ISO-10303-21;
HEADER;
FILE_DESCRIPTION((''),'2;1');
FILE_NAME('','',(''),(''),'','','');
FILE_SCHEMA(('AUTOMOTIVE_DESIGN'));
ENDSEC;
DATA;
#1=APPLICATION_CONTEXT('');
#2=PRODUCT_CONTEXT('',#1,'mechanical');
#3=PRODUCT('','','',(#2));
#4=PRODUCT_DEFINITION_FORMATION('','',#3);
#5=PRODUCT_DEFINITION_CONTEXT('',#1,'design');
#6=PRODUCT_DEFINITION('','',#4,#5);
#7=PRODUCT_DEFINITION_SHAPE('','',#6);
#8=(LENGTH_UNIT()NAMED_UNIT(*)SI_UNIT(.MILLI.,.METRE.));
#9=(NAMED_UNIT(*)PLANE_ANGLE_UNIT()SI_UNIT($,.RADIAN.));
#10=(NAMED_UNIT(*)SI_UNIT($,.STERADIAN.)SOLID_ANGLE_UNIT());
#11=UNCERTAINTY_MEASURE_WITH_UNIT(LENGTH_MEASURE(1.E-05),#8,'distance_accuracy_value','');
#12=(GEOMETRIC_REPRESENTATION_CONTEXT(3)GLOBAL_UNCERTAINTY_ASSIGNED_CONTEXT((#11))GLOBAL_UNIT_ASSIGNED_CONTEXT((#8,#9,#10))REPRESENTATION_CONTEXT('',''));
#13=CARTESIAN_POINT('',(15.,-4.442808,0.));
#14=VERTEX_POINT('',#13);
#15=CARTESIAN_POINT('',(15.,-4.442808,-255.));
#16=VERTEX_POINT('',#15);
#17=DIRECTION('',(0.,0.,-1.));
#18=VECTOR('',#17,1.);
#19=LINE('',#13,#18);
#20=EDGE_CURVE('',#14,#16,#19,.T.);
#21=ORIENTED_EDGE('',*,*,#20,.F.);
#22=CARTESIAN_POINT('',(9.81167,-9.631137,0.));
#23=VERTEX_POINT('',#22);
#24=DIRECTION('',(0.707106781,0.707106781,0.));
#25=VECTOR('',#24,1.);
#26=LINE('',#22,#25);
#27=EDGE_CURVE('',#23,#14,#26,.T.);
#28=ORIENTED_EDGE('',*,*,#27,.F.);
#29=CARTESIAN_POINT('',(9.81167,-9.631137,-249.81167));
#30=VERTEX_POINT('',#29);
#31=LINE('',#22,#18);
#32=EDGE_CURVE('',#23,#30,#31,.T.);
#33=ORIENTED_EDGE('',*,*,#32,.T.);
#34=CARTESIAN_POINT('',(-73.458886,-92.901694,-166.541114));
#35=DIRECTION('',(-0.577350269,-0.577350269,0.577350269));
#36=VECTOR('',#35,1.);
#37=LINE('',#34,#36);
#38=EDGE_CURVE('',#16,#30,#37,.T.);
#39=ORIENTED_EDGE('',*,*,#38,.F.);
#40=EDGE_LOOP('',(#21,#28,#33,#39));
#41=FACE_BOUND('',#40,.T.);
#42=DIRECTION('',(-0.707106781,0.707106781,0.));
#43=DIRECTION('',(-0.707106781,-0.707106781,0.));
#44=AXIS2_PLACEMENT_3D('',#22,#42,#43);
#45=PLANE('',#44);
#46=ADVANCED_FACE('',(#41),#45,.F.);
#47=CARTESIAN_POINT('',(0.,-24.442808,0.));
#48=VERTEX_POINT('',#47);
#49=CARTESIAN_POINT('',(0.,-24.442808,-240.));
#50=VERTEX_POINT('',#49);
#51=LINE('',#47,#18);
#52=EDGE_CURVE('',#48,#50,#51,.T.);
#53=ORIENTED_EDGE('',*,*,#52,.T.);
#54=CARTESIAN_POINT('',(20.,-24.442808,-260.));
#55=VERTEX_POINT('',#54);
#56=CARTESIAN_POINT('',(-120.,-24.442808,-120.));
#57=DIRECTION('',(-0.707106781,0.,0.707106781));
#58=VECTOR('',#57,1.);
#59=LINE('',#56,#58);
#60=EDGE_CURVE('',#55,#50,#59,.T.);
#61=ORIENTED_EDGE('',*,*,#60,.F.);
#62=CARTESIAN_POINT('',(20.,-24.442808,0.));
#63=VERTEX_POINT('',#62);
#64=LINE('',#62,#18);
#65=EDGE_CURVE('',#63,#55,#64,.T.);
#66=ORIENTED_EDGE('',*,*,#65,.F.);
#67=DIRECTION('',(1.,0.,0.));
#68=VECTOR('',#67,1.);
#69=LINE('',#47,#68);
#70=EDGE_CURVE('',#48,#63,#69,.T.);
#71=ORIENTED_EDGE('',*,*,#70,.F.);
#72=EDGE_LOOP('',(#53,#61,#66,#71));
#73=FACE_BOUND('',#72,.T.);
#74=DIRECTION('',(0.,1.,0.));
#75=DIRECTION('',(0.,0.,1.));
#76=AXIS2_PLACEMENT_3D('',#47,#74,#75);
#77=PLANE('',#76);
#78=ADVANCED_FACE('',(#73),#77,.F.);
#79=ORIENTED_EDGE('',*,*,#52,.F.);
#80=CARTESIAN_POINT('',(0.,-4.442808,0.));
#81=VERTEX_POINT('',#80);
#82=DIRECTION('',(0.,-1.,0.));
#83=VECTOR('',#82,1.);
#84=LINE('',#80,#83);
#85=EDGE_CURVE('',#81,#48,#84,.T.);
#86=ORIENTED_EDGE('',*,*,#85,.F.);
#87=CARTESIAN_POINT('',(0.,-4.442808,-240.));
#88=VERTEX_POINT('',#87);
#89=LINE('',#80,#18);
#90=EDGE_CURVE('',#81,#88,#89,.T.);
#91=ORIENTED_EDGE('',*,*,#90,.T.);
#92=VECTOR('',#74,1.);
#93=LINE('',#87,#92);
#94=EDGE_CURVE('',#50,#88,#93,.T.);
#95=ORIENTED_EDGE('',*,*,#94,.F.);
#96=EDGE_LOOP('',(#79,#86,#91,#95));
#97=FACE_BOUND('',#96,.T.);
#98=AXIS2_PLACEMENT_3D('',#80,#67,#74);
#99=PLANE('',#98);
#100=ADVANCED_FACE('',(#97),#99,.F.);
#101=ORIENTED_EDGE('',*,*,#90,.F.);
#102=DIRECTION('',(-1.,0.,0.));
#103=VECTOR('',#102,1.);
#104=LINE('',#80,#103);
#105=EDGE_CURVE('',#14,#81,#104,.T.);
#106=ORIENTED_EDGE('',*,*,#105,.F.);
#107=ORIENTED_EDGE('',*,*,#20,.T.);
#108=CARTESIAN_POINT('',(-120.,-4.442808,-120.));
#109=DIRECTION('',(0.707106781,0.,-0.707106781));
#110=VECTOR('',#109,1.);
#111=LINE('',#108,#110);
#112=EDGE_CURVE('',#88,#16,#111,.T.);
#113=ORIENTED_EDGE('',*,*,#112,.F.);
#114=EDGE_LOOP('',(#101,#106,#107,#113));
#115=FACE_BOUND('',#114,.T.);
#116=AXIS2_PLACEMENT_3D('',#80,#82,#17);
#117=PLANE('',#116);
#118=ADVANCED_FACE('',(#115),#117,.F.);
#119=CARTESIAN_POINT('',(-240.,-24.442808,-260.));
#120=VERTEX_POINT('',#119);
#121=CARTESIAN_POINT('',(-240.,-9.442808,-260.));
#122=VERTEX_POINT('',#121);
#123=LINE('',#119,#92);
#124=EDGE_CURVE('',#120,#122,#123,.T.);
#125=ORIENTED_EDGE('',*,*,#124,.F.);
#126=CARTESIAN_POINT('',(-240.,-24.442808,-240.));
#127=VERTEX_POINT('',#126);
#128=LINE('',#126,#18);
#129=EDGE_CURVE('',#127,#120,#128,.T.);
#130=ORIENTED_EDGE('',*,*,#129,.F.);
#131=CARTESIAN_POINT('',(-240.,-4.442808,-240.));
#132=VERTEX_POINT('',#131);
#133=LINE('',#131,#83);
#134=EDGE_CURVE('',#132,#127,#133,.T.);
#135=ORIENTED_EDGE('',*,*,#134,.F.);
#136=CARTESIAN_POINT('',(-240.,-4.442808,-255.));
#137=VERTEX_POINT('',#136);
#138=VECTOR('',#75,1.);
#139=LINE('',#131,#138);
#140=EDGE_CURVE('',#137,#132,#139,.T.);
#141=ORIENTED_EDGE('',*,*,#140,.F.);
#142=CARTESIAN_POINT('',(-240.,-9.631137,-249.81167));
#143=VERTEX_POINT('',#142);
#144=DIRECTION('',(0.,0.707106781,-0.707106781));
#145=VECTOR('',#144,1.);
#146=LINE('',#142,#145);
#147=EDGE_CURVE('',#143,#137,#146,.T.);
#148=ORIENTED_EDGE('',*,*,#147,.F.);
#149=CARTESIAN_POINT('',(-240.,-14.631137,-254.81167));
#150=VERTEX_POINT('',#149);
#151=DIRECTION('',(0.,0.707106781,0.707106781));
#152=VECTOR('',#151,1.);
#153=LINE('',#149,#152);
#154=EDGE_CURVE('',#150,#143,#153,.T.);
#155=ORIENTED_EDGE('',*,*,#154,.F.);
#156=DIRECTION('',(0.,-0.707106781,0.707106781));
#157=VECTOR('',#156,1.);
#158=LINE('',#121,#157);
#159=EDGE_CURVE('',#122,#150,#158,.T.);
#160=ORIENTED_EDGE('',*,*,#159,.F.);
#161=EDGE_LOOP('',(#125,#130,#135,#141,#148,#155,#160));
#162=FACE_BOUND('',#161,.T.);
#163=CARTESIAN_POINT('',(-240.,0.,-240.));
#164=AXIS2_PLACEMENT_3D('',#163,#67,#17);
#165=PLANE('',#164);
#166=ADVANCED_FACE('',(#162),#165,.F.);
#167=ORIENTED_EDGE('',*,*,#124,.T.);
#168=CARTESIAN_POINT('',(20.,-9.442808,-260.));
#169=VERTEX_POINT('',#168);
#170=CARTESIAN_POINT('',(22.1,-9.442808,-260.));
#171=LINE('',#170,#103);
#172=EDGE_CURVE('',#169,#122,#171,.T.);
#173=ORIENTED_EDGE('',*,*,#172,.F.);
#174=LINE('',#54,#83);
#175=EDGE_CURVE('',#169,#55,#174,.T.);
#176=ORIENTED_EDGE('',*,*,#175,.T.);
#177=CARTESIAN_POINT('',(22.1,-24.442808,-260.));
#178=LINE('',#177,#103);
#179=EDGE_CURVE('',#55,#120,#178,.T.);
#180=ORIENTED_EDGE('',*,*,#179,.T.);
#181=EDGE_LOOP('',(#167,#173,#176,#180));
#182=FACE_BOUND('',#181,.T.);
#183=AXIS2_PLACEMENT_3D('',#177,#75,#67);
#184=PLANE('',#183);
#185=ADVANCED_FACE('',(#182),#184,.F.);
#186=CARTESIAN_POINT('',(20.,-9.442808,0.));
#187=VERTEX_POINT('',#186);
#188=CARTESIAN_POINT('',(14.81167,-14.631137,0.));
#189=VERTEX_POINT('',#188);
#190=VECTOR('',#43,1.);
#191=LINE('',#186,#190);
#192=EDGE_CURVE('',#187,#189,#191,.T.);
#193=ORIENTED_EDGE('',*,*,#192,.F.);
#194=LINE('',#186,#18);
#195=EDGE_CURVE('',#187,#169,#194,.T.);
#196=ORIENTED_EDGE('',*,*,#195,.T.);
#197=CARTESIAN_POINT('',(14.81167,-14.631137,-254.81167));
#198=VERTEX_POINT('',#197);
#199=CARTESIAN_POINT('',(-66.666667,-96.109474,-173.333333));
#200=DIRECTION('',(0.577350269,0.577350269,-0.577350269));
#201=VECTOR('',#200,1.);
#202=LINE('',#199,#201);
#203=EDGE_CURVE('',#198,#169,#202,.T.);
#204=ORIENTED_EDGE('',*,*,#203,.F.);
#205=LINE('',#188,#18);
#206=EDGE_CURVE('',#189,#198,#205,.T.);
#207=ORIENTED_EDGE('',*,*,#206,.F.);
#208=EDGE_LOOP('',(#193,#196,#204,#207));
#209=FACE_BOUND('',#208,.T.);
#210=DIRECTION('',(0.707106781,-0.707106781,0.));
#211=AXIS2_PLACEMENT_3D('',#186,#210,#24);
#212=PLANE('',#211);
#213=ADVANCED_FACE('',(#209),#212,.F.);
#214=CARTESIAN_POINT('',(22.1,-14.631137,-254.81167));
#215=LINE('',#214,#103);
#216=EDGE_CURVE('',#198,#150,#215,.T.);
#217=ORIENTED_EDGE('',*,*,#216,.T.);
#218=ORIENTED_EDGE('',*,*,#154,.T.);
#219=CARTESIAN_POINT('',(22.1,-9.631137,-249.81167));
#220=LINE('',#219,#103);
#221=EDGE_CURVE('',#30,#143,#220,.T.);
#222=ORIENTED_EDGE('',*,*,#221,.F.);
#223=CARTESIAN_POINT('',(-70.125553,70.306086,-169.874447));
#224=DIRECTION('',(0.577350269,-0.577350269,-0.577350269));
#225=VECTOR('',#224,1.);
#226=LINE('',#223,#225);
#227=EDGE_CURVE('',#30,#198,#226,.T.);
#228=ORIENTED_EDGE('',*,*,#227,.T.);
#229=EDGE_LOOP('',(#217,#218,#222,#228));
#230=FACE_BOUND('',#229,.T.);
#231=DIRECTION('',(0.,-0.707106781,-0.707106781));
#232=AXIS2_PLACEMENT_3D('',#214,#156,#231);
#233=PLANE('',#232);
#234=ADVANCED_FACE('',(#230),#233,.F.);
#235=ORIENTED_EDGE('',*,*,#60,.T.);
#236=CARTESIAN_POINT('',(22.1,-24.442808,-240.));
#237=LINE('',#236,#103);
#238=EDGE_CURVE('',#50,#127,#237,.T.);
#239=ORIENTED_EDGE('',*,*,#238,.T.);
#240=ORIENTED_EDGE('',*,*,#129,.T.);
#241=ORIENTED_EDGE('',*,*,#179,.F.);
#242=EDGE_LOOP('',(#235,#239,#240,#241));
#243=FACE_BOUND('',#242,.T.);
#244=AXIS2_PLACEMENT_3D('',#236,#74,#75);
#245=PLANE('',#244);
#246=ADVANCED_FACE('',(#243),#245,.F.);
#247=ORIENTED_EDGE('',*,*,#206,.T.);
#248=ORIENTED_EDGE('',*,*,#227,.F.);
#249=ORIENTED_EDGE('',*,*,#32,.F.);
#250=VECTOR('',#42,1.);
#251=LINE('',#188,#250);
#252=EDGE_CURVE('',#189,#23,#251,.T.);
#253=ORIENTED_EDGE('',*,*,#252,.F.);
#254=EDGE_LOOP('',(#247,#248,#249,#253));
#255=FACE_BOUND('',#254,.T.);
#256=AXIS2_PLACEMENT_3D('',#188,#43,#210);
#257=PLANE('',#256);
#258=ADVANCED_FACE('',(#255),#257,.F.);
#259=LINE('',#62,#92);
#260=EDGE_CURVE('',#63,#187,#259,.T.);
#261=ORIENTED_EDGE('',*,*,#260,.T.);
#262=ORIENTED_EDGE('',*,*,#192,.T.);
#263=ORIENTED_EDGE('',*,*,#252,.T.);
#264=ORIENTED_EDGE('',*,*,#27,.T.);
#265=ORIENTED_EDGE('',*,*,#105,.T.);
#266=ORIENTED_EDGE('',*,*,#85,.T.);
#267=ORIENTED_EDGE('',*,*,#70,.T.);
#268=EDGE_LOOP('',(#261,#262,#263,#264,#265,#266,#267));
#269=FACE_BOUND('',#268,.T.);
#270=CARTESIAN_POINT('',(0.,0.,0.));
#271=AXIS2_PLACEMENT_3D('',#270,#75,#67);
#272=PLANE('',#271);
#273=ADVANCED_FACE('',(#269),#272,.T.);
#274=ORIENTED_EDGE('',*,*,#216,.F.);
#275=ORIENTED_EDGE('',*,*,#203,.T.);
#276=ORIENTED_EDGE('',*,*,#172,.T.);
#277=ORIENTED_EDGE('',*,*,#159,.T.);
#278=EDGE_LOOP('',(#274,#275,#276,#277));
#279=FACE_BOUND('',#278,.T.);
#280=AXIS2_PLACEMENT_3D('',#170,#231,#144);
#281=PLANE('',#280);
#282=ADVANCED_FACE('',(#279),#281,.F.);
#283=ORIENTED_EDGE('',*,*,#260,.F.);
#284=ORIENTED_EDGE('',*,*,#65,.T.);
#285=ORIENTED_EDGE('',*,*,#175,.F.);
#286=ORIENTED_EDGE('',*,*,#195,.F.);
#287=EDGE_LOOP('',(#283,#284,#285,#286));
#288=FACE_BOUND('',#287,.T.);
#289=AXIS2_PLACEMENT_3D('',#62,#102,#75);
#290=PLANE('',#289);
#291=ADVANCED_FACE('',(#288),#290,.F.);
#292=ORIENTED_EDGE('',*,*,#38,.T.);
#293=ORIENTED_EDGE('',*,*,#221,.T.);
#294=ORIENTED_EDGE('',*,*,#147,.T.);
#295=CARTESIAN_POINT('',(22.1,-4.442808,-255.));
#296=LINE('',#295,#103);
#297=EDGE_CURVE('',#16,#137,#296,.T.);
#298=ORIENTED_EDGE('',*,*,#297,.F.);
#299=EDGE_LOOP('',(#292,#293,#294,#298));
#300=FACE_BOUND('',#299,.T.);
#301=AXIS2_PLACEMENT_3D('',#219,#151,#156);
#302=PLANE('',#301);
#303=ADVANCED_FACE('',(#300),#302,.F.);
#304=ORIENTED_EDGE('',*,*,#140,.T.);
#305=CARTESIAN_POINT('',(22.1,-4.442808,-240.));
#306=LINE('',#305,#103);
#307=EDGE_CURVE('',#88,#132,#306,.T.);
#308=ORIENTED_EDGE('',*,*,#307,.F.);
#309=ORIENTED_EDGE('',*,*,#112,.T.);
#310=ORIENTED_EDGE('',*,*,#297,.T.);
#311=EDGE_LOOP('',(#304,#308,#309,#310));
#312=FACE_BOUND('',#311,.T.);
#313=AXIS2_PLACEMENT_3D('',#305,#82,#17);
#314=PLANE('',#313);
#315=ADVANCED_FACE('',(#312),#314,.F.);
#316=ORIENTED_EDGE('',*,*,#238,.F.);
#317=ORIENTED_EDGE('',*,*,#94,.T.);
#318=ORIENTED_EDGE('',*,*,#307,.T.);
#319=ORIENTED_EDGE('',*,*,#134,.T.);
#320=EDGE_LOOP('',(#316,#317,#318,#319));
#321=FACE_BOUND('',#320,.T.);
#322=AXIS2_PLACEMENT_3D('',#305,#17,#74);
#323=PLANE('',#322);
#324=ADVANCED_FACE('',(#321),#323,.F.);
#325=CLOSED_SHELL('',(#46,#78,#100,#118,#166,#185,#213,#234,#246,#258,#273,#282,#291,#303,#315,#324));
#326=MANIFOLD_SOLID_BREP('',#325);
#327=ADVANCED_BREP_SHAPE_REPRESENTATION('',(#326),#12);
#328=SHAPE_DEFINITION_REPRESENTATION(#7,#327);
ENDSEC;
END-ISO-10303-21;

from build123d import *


with BuildPart() as part:
    # Sweep2: sweep along a path in Sketch4
    with BuildLine(Plane(origin=(0, 0, 0), x_dir=(1, 0, 0), z_dir=(0, 1, 0))) as sweep2_path:
        Line((0, 0), (0, 240))
        Line((0, 240), (-240, 240))
    # Sketch3 → Sweep2 (sweep)
    with BuildSketch(Plane.XY):
        Polygon((0, -4.442807786), (0, -24.442807786), (20, -24.442807786), (20, -9.442807786), (14.811670364, -14.631137422), (9.811670364, -9.631137422), (15, -4.442807786), align=None)
    sweep(path=sweep2_path.line, transition=Transition.RIGHT)


solid = part.part
